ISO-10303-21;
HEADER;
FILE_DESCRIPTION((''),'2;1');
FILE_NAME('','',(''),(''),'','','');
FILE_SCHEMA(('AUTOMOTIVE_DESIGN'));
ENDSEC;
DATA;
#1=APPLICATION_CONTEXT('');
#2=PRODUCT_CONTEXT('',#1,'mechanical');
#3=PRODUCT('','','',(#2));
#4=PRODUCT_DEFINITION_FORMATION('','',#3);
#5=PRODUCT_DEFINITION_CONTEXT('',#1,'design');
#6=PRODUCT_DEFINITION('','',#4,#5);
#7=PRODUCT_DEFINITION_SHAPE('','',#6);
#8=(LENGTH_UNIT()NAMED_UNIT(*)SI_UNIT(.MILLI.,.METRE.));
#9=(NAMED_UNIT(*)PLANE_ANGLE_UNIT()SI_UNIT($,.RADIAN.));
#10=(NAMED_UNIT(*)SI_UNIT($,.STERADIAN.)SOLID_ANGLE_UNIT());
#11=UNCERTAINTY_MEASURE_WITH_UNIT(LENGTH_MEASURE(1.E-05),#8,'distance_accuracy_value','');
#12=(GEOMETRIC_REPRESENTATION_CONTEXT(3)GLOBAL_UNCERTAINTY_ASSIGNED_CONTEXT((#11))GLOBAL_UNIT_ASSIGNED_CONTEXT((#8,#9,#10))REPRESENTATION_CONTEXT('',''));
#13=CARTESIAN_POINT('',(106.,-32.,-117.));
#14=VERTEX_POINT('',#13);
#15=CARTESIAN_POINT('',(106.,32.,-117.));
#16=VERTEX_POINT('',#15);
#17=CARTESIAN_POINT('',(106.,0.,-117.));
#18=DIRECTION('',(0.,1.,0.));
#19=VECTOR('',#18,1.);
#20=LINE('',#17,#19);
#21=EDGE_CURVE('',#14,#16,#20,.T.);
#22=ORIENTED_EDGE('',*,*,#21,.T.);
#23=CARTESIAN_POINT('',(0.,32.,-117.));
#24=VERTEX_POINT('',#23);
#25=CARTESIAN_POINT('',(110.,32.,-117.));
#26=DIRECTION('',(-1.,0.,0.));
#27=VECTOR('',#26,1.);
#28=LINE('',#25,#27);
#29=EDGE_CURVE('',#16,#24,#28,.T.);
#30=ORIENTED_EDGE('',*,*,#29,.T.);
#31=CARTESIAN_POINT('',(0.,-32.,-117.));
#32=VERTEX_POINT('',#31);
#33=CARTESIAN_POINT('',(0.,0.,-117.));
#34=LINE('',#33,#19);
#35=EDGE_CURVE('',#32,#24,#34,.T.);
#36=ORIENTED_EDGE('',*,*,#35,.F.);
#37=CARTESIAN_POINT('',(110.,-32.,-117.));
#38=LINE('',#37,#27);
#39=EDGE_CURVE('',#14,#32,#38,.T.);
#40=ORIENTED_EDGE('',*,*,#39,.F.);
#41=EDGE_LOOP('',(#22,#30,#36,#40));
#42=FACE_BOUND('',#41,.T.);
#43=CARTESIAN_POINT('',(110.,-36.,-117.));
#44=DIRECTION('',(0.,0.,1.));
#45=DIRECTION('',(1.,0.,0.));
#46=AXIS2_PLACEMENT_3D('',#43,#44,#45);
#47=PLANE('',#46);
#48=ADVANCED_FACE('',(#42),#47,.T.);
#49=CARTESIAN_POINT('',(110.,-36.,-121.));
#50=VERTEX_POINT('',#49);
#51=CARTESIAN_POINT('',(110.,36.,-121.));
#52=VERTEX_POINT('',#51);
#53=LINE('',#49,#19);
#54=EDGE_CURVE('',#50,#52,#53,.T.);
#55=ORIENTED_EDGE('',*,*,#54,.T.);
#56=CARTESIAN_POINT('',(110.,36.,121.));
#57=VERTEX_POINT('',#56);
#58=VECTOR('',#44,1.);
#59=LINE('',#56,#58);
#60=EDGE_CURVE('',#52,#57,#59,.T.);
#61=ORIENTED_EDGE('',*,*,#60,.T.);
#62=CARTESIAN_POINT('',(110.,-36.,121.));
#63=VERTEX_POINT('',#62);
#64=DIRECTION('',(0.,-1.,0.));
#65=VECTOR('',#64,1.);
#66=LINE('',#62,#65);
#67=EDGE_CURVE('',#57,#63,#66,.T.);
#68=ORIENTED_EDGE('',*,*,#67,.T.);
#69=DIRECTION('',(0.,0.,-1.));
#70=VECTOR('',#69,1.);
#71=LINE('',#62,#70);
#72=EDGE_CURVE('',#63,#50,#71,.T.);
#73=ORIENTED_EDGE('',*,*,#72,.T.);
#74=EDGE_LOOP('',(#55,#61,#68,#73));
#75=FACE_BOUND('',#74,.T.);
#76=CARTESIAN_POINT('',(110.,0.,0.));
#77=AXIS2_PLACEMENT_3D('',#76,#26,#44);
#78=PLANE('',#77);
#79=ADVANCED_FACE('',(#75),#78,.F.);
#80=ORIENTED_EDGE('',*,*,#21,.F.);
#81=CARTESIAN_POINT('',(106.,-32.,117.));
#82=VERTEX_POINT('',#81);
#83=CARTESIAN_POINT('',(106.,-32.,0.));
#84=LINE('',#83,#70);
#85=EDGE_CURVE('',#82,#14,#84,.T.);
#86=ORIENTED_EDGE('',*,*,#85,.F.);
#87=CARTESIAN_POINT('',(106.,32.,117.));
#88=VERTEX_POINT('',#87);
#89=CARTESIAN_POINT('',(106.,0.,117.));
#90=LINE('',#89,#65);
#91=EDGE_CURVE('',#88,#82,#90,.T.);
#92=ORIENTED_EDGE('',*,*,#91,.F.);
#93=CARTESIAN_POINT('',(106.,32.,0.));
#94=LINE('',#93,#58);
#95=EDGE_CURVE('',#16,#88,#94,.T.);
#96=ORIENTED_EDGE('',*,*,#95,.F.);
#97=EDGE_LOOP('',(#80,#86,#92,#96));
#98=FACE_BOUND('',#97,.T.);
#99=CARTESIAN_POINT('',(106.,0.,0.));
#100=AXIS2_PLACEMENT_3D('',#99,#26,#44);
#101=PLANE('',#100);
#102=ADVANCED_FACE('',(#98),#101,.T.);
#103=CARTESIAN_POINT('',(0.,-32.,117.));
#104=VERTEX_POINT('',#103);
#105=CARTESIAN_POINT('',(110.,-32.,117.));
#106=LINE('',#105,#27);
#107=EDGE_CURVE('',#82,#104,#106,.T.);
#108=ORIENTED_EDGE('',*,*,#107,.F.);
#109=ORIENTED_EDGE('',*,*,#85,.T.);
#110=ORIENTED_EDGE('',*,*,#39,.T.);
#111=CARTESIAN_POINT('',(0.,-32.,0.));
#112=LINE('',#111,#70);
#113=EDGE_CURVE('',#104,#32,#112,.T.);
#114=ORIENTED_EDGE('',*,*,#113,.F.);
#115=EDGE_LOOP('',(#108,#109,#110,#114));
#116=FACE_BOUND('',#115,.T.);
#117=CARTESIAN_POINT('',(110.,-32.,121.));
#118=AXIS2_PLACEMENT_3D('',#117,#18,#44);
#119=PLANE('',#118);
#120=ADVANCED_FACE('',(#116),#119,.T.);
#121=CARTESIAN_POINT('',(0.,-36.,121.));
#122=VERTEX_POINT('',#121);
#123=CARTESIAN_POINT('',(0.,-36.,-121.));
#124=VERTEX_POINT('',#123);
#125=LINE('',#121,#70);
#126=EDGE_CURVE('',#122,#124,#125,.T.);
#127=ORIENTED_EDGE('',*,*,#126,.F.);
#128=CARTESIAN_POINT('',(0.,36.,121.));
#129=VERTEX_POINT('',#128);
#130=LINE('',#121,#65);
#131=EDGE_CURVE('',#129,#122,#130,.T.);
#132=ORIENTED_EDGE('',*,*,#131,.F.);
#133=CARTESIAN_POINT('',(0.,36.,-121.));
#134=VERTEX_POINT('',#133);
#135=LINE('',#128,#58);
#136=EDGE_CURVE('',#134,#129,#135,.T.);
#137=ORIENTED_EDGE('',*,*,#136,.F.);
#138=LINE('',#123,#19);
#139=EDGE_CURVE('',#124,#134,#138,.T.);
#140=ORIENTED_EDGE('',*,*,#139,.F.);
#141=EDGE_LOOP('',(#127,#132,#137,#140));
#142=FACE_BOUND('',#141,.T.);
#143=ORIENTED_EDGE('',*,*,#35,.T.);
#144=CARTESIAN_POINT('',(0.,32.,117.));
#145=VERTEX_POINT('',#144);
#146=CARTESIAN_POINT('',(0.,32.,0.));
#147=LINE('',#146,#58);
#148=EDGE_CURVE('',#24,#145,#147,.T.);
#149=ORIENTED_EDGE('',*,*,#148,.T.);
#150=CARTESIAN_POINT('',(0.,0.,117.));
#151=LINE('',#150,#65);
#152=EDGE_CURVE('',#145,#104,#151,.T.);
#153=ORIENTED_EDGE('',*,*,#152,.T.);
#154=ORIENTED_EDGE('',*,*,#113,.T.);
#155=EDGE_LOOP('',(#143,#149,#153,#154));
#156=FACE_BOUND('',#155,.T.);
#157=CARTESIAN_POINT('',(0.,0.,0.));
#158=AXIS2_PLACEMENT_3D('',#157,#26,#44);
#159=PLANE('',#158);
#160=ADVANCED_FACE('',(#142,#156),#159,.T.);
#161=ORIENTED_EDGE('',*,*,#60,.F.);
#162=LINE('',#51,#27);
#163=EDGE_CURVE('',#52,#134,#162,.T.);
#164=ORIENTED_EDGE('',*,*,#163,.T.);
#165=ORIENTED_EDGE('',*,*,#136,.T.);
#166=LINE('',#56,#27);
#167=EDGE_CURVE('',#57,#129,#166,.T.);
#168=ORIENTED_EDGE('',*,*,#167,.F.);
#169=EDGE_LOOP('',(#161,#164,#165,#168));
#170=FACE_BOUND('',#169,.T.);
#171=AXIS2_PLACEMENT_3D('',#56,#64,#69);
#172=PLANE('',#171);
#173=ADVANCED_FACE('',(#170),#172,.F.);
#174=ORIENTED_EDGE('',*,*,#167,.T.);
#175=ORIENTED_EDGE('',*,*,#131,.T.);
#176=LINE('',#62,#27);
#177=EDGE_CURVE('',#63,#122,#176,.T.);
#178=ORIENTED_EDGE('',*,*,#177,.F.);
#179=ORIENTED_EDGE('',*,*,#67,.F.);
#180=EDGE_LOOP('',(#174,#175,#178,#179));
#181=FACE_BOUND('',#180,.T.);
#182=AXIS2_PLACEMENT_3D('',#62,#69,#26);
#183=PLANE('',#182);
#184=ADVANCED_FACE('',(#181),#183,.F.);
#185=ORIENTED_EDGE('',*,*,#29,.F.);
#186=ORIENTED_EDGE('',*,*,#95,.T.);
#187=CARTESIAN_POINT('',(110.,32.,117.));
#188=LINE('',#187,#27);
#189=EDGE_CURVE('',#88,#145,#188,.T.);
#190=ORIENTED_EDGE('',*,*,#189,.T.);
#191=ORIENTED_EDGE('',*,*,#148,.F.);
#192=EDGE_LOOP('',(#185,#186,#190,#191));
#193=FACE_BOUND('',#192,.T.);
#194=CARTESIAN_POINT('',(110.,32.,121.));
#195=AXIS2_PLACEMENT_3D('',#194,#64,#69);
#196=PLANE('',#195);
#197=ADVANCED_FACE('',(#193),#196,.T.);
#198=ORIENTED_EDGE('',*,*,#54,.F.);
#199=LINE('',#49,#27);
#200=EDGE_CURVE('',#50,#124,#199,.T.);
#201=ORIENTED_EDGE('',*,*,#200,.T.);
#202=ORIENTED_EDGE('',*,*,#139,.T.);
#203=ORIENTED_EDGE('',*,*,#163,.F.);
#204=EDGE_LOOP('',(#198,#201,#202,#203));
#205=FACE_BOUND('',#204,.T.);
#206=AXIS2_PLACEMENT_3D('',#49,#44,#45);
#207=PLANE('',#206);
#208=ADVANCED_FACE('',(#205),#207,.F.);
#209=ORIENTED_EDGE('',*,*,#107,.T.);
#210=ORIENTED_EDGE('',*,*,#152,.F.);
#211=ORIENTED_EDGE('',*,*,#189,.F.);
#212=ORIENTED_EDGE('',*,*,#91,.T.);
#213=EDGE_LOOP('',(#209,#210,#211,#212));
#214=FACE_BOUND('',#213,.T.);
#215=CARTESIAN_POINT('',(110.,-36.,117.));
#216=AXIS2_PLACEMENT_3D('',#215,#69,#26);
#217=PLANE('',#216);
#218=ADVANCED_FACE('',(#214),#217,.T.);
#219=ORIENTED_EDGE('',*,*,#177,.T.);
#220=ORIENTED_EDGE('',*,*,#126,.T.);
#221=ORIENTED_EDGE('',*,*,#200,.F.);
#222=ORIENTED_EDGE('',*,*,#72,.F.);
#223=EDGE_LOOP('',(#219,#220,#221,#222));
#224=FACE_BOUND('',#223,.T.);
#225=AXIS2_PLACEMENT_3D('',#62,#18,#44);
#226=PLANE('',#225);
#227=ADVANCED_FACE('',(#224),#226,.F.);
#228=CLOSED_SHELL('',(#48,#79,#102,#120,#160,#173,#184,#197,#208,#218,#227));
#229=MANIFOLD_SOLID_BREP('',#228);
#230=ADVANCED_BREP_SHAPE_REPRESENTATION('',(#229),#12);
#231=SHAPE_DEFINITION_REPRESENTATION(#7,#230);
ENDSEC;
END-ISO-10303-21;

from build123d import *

# Parameters (mm, degrees)
SKETCH1_W           = 242
SKETCH1_H           = 72
BOSS_EXTRUDE1_DEPTH = 110
SHELL1_T            = -4


with BuildPart() as part:
    # Sketch1 → Boss-Extrude1 (new body)
    with BuildSketch(Plane(origin=(0, 0, 0), x_dir=(0, 0, -1), z_dir=(1, 0, 0))):
        Rectangle(SKETCH1_W, SKETCH1_H)
    extrude(amount=BOSS_EXTRUDE1_DEPTH)

    # Shell1
    shell1_openings = [part.faces().sort_by_distance(p)[0] for p in [
        (0, 0, 0),
    ]]
    offset(amount=SHELL1_T, openings=shell1_openings, kind=Kind.INTERSECTION)


solid = part.part
